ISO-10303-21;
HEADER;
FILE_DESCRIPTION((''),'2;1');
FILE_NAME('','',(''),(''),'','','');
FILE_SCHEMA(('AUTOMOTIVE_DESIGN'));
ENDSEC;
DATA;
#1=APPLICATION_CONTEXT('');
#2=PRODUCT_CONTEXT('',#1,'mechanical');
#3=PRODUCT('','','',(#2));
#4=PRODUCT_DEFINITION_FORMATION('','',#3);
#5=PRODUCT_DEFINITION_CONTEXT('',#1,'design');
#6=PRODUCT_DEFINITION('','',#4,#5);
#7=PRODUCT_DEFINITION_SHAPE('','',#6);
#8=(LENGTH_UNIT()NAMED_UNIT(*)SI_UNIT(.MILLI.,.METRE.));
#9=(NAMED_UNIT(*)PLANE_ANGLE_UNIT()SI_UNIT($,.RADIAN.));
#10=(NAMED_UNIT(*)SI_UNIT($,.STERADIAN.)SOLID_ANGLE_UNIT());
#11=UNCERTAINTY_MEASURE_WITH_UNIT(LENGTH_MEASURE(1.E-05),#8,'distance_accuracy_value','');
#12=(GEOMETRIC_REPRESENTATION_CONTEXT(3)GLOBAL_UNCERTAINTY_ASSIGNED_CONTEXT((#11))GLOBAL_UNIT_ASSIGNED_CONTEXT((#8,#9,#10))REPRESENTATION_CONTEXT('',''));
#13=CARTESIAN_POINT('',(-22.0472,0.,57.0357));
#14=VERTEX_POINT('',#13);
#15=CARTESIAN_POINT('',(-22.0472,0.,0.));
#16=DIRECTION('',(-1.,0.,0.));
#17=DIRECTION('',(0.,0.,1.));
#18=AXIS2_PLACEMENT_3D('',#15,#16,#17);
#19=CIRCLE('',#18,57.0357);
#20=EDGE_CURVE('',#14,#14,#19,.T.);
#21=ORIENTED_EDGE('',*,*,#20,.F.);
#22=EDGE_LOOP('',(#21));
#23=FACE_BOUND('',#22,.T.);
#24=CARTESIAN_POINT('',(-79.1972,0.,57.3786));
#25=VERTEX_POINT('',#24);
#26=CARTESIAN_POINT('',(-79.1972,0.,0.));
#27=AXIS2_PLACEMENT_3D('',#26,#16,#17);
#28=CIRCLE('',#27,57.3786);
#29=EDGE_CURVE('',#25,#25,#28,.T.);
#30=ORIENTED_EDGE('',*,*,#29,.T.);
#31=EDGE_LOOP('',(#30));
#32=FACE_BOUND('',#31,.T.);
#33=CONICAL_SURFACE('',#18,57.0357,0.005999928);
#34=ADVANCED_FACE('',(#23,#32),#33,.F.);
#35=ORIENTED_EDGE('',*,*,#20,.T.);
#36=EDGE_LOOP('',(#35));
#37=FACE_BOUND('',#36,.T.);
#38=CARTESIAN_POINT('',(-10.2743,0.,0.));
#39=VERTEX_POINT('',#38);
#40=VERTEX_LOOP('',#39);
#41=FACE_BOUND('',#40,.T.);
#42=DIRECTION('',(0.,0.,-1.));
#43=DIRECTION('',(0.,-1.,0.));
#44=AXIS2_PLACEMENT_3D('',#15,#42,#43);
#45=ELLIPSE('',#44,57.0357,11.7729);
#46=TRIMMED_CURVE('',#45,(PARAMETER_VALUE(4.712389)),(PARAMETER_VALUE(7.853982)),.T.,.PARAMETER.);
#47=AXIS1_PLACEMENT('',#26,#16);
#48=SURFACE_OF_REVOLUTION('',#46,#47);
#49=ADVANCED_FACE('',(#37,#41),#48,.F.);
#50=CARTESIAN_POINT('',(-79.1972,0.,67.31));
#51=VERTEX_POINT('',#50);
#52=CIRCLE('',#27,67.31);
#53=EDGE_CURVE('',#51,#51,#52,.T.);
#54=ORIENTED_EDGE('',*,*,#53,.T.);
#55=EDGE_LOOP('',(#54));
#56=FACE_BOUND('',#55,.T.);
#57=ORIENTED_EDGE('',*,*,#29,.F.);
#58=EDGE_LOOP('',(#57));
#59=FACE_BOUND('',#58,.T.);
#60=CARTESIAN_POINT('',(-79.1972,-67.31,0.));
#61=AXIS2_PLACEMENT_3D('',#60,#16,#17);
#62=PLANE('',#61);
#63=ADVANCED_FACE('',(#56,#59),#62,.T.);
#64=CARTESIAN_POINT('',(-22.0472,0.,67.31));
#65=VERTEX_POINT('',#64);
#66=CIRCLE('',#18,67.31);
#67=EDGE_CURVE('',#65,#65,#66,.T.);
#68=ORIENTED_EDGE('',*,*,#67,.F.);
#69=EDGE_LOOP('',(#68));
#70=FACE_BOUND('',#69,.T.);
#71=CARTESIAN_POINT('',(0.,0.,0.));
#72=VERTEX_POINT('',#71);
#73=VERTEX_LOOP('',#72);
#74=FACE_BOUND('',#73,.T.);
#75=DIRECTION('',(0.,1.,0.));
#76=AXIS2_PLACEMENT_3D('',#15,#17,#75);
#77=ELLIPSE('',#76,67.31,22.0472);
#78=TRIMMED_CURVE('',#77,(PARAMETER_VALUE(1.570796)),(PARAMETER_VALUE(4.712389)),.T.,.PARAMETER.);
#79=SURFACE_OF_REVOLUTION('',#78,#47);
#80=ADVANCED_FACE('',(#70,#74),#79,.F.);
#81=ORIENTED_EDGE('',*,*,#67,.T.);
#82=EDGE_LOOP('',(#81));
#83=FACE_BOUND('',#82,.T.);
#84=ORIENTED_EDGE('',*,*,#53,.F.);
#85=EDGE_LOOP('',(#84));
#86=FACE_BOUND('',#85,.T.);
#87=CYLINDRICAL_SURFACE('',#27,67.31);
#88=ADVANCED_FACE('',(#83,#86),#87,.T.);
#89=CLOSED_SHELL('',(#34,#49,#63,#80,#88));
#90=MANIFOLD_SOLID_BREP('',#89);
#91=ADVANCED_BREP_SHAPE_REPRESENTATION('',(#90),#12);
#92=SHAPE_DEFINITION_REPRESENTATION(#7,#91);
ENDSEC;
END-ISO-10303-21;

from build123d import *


with BuildPart() as part:
    # Sketch1 → Revolve1 (revolve)
    with BuildSketch(Plane.XY):
        with BuildLine():
            Line((-79.1972, -67.31), (-22.0472, -67.31))
            add(Edge.make_bspline(
                [(-22.0472, -67.31), (0, -67.31), (0, 0)],
                knots=[3.141592654, 3.141592654, 3.141592654, 4.71238898, 4.71238898, 4.71238898], degree=2, weights=[1, 0.707106781, 1]))
            Line((0, 0), (-10.2743, 0))
            add(Edge.make_bspline(
                [(-22.0472, -57.0357), (-10.2743, -57.0357), (-10.2743, 0)],
                knots=[0, 0, 0, 1.570796327, 1.570796327, 1.570796327], degree=2, weights=[1, 0.707106781, 1]))
            Line((-22.0472, -57.0357), (-79.1972, -57.3786))
            Line((-79.1972, -57.3786), (-79.1972, -67.31))
        make_face()
    revolve(axis=Axis((-79.1972, 0, 0), (1, 0, 0)))


solid = part.part
